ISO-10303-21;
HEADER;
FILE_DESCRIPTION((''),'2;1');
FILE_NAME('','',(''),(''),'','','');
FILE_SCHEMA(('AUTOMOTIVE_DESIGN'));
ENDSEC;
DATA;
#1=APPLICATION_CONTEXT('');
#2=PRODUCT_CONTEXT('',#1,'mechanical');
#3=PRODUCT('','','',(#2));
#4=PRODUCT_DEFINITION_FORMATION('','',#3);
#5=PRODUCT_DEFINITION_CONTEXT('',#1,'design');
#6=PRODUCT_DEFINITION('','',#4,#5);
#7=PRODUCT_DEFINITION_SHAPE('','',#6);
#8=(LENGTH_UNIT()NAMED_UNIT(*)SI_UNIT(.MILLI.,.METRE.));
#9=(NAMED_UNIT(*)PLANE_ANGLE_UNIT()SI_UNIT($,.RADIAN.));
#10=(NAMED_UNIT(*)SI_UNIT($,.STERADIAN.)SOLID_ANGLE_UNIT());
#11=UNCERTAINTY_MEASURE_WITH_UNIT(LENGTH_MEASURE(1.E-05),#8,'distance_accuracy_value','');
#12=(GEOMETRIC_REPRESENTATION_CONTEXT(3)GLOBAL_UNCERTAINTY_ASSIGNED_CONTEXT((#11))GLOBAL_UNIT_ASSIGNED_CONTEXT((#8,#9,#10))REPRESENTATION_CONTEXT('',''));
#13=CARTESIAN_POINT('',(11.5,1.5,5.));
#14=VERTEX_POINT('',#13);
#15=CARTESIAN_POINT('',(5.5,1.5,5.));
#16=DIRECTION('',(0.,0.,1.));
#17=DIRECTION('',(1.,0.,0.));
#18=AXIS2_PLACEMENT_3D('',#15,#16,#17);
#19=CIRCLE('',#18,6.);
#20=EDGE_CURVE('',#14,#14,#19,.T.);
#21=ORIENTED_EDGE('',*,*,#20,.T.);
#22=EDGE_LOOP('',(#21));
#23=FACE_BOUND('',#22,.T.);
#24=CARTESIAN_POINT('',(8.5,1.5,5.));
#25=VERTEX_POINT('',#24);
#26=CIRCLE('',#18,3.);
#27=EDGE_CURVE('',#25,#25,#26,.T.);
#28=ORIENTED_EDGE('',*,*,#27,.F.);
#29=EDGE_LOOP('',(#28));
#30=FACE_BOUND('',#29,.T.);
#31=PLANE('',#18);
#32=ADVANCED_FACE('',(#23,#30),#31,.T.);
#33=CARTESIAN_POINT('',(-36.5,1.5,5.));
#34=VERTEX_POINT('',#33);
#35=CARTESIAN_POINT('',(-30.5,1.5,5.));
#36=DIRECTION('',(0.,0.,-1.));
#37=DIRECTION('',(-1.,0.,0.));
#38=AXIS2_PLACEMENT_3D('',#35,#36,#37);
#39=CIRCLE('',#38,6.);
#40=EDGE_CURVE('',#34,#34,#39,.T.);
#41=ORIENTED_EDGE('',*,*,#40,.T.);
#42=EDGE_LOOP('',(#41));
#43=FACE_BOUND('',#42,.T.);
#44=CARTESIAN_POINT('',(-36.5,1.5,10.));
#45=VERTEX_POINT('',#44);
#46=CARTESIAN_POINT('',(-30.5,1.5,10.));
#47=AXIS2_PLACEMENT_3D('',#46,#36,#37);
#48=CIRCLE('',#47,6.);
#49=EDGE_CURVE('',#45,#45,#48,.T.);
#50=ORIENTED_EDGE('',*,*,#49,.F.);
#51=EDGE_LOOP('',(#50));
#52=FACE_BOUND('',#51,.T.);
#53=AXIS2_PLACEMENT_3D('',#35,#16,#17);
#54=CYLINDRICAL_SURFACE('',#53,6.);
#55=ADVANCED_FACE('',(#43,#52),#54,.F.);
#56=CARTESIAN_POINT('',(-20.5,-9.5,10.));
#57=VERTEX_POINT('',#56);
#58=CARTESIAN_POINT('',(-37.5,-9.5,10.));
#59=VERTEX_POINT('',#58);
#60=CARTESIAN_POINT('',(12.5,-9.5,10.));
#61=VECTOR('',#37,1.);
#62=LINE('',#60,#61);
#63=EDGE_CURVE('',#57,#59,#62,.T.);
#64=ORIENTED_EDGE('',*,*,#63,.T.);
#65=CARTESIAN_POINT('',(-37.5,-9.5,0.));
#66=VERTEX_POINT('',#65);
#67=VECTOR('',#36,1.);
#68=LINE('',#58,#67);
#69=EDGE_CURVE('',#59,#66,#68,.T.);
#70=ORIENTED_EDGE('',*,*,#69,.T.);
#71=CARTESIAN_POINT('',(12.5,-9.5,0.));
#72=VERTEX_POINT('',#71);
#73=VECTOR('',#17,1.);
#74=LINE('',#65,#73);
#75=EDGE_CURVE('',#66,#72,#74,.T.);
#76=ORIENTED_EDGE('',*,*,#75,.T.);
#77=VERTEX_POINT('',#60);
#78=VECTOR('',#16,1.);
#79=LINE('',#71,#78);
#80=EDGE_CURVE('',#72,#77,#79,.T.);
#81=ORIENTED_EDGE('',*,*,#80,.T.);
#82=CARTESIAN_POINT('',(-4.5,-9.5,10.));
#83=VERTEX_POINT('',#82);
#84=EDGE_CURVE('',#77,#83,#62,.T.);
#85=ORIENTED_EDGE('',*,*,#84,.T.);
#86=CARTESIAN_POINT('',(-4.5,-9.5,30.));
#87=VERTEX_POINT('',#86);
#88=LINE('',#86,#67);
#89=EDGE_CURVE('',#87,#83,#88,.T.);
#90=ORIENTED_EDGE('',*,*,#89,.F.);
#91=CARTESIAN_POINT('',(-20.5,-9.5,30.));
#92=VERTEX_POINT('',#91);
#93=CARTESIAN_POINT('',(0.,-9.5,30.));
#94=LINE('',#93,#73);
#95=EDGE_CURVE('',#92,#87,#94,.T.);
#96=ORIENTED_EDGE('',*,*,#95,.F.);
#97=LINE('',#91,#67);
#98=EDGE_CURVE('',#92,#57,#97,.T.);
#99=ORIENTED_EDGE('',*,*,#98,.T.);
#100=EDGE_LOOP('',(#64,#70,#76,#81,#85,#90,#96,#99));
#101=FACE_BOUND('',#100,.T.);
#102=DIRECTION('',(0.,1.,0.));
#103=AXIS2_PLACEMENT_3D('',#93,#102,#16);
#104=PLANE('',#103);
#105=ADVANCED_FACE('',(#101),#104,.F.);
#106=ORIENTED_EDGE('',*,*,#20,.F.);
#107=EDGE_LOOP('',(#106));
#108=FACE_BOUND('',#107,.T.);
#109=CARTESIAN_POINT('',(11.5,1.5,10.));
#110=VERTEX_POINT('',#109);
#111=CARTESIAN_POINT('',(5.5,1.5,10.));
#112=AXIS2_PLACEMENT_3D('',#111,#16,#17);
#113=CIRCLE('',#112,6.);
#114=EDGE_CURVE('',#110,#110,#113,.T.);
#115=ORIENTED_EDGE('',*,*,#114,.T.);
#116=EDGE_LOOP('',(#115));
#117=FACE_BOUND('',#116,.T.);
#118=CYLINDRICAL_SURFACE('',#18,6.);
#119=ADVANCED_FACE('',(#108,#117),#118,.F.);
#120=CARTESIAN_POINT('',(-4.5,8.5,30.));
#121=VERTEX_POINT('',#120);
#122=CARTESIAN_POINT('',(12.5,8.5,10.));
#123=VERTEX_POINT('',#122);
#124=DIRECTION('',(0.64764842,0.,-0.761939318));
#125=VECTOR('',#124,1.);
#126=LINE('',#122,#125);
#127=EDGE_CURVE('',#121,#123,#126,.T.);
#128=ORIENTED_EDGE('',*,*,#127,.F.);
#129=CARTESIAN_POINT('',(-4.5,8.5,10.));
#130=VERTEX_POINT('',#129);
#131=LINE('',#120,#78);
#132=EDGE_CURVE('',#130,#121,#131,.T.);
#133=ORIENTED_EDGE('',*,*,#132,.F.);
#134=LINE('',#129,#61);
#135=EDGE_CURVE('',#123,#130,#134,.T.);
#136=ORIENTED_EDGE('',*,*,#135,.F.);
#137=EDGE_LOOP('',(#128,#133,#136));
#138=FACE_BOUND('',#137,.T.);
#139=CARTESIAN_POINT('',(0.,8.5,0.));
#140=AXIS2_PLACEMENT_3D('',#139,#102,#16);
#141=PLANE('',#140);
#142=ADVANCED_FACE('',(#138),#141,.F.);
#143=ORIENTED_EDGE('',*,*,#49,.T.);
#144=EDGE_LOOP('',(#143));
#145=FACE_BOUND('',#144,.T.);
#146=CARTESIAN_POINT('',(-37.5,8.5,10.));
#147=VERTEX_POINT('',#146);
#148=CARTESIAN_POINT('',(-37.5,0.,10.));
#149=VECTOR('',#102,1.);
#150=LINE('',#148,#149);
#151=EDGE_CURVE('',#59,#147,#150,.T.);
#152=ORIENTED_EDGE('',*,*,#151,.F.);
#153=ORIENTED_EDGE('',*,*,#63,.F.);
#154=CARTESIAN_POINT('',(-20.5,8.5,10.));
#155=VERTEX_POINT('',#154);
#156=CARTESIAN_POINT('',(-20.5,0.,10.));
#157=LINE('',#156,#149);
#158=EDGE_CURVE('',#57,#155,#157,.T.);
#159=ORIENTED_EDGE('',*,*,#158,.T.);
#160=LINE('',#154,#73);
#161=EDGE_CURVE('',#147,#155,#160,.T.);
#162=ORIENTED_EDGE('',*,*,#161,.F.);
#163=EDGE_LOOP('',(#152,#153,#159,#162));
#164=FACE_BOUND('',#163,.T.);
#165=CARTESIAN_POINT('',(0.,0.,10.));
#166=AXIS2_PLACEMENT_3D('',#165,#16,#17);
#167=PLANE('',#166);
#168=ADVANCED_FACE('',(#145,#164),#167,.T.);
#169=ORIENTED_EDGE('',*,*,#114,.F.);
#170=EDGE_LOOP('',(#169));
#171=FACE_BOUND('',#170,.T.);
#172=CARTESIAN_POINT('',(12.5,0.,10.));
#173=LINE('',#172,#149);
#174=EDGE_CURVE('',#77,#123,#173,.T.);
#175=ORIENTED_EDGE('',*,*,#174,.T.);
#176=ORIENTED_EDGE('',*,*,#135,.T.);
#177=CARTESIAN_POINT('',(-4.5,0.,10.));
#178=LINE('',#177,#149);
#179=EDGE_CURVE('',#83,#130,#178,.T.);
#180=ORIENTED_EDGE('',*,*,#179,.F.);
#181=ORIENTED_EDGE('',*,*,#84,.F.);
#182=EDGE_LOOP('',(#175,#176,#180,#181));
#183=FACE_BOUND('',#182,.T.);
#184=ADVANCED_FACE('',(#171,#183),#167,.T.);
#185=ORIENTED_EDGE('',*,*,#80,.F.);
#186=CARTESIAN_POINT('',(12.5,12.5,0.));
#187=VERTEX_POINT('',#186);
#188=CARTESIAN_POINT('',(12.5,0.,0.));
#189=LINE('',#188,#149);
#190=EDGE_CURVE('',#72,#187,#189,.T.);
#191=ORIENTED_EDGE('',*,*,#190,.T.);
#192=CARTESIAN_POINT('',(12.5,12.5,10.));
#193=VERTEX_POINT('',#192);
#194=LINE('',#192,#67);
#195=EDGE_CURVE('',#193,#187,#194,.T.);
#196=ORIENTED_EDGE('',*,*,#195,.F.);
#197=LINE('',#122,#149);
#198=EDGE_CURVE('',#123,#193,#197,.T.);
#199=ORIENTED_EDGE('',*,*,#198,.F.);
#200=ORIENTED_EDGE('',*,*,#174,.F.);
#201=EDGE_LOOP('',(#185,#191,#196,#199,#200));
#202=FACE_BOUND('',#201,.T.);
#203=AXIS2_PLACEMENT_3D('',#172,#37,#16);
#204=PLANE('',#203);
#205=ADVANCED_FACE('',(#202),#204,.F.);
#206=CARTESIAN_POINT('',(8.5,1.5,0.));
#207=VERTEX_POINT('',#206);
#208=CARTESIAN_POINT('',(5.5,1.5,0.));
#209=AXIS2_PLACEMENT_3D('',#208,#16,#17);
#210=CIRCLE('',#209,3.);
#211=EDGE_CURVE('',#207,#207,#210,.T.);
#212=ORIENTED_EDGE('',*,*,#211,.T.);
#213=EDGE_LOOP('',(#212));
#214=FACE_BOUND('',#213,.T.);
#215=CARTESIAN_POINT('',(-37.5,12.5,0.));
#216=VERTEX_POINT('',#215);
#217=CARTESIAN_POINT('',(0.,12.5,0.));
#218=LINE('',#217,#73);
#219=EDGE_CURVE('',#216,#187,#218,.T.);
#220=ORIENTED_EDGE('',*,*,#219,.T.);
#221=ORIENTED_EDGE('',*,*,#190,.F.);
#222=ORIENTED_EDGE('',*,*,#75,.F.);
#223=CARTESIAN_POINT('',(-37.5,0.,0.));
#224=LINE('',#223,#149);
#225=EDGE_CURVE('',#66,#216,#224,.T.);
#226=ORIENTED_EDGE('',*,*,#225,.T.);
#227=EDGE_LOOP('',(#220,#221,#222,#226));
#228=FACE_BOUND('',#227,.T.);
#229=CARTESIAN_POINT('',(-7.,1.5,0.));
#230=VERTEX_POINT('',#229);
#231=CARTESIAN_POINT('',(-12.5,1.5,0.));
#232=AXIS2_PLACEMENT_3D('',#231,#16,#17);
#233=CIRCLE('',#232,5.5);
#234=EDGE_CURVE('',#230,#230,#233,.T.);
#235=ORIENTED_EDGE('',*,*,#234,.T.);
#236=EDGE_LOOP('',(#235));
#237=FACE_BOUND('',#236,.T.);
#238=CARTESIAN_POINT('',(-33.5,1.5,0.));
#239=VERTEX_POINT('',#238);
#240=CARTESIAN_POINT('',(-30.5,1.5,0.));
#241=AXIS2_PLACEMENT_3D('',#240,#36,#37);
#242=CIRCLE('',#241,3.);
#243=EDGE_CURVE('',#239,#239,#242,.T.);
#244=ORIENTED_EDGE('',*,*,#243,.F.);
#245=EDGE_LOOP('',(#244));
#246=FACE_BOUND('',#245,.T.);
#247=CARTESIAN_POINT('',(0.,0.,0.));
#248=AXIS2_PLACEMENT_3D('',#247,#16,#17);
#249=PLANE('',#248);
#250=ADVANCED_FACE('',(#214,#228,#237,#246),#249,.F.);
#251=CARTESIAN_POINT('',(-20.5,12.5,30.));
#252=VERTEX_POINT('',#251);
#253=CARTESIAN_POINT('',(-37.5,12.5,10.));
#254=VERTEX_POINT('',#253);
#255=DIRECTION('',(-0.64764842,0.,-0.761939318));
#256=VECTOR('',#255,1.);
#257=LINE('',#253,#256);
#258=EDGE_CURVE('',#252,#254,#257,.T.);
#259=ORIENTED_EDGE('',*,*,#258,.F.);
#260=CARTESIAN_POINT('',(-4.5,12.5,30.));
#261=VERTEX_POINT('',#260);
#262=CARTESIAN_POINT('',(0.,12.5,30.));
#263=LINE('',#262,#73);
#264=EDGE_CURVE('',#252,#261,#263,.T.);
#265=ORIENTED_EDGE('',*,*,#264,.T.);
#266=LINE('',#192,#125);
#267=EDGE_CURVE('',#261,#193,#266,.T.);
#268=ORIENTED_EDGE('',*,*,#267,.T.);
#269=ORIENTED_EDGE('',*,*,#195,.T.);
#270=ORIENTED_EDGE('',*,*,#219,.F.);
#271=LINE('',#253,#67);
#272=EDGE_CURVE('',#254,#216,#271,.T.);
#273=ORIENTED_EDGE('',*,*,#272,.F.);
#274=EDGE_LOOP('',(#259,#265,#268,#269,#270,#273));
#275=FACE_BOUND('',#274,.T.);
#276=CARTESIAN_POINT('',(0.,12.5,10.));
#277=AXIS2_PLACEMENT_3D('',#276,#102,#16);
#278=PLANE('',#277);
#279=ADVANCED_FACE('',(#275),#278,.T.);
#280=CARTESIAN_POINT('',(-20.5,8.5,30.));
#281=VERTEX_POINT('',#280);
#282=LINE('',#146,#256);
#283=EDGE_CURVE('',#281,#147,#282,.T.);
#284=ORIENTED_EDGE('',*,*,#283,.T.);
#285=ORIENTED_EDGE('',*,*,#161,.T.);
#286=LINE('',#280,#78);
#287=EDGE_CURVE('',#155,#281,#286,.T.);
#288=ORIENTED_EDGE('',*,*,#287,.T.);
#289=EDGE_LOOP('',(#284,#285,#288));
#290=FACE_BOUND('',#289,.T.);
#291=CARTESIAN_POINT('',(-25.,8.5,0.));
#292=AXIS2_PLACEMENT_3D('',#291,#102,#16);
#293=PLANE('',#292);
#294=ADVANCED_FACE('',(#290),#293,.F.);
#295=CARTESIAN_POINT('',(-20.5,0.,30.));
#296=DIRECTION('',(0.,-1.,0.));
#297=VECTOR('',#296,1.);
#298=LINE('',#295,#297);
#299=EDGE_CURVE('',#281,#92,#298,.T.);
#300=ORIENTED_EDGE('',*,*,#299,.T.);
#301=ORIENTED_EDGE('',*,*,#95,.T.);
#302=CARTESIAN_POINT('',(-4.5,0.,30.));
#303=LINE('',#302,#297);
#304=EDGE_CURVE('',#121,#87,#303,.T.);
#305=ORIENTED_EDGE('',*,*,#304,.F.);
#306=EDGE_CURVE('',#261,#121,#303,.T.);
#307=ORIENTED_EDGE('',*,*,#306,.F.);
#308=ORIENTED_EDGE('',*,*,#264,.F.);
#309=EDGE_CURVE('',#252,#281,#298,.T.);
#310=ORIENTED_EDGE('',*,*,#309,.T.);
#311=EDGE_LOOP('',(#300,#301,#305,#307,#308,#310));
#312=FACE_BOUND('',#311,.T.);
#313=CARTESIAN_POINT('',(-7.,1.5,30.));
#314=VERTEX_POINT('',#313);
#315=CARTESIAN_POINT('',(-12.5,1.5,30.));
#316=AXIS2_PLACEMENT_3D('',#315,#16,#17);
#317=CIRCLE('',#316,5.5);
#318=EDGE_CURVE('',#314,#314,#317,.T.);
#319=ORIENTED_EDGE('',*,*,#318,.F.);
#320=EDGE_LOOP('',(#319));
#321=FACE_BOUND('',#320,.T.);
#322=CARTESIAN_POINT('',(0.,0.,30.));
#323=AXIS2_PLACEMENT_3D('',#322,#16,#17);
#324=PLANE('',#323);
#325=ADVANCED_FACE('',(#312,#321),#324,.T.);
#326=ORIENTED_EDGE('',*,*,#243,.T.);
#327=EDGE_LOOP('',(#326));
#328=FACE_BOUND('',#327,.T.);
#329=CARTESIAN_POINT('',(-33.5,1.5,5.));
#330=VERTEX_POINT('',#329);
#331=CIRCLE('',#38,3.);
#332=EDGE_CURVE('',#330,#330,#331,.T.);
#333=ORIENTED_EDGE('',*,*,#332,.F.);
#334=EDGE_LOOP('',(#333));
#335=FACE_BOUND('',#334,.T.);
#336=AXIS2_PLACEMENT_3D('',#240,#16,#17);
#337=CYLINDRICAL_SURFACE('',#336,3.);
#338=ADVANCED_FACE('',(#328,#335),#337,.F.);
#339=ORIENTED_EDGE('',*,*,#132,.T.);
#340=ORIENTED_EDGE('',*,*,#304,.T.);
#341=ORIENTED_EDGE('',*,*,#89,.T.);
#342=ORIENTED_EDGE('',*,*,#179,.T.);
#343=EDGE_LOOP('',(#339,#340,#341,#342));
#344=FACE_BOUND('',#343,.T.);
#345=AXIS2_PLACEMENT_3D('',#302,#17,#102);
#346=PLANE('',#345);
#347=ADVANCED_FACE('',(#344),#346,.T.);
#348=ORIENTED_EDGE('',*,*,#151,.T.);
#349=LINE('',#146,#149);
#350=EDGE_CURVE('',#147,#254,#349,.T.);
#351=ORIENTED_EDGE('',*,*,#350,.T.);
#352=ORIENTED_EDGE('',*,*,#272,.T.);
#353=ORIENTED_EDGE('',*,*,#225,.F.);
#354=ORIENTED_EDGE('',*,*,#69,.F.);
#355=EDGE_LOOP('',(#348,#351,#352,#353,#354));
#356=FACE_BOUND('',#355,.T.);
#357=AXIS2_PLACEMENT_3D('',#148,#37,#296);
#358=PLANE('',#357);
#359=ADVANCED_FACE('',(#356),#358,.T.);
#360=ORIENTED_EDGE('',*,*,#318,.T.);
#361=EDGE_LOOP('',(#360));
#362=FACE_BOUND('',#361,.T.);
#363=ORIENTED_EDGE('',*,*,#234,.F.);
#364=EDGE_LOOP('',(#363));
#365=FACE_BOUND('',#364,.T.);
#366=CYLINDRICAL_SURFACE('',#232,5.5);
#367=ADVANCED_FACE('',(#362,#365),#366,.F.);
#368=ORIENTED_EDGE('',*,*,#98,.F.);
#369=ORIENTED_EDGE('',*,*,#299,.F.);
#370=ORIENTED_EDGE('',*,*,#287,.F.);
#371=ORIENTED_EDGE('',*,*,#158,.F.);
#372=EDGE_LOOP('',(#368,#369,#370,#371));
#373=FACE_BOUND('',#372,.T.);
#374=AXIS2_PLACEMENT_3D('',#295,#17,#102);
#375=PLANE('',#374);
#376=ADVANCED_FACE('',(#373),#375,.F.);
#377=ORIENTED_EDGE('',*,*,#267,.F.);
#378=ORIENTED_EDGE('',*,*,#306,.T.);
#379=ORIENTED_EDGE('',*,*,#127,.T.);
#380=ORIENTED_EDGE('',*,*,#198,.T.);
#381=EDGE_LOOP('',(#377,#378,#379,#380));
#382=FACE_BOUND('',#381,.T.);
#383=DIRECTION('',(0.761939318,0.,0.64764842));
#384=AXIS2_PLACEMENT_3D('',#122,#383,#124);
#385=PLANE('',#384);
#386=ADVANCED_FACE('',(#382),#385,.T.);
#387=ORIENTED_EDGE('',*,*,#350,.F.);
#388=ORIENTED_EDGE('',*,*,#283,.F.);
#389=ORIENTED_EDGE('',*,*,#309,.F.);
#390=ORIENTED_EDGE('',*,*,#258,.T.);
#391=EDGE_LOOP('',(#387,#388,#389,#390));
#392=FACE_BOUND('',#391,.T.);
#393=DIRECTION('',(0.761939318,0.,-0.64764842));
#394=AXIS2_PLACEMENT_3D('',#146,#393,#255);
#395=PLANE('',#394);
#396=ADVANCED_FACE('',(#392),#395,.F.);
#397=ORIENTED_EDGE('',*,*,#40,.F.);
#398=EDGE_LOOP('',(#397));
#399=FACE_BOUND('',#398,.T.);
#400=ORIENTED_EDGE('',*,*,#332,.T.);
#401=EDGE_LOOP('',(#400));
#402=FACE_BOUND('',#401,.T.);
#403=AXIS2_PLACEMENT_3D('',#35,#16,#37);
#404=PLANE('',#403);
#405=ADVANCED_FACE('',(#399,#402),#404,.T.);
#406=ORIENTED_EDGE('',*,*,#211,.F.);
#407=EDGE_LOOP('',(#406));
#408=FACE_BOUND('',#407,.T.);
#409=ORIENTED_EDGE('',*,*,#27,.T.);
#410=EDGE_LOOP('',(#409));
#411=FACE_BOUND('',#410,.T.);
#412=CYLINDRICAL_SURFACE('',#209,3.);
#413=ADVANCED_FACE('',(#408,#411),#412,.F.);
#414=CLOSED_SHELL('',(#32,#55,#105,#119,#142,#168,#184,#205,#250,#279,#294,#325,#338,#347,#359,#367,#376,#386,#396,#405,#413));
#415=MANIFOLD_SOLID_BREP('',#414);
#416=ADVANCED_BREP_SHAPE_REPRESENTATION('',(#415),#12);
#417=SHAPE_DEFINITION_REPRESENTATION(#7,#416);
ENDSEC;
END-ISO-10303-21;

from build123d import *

# Parameters (mm, degrees)
SKETCH_1_W          = 8
SKETCH_1_H          = 22
EXTRUDE_1_DEPTH     = 10
SKETCH_1_3_W        = 8
SKETCH_1_3_H        = 22
EXTRUDE_2_DEPTH     = 30
EXTRUDE_3_DEPTH     = 4
SKETCH_3_R          = 6
CUT_EXTRUDE_1_DEPTH = 5
SKETCH_4_R          = 3
CUT_EXTRUDE_2_DEPTH = 31.618621785
SKETCH_5_R          = 5.5
CUT_EXTRUDE_3_DEPTH = 50.623583103
SKETCH_6_W          = 50
SKETCH_6_H          = 10
CUT_EXTRUDE_4_DEPTH = 3


with BuildPart() as part:
    # Эскиз1 → Бобышка-Вытянуть1 (new body)
    with BuildSketch(Plane.XY):
        Polygon((-12.5, -9.5), (-12.5, -12.5), (12.5, -12.5), (12.5, 12.5), (-4.5, 12.5), (-4.5, -9.5), align=None)
        with Locations((-8.5, 1.5)):
            Rectangle(SKETCH_1_W, SKETCH_1_H)
    extrude_1 = extrude(amount=EXTRUDE_1_DEPTH)

    # Эскиз1<3> → Бобышка-Вытянуть2 (add)
    with BuildSketch(Plane.XY):
        with Locations((-8.5, 1.5)):
            Rectangle(SKETCH_1_3_W, SKETCH_1_3_H)
    extrude_2 = extrude(amount=EXTRUDE_2_DEPTH)

    # Эскиз2 → Бобышка-Вытянуть3 (add)
    with BuildSketch(Plane(origin=(0, 12.5, 0), x_dir=(1, 0, 0), z_dir=(0, 1, 0))):
        Polygon((12.5, -10), (-4.5, -30), (-4.5, -10), align=None)
    extrude_3 = extrude(amount=-EXTRUDE_3_DEPTH)

    # Эскиз3 → Вырез-Вытянуть1 (cut)
    with BuildSketch(Plane.XY.offset(10)):
        with Locations((5.5, 1.5)):
            Circle(SKETCH_3_R)
    cut_extrude_1 = extrude(amount=-CUT_EXTRUDE_1_DEPTH, mode=Mode.SUBTRACT)

    # Эскиз4 → Вырез-Вытянуть2 (cut, through all)
    with BuildSketch(Plane.XY.offset(5)):
        with Locations((5.5, 1.5)):
            Circle(SKETCH_4_R)
    cut_extrude_2 = extrude(amount=-CUT_EXTRUDE_2_DEPTH, mode=Mode.SUBTRACT)

    # Зеркальное отражение1: Бобышка-Вытянуть1, Бобышка-Вытянуть2, Бобышка-Вытянуть3, Вырез-Вытянуть1, Вырез-Вытянуть2 across plane
    add(extrude_1.mirror(Plane(origin=(-12.5, 0, 10), x_dir=(0, 0, 1), z_dir=(-1, 0, 0))))
    add(extrude_2.mirror(Plane(origin=(-12.5, 0, 10), x_dir=(0, 0, 1), z_dir=(-1, 0, 0))))
    add(extrude_3.mirror(Plane(origin=(-12.5, 0, 10), x_dir=(0, 0, 1), z_dir=(-1, 0, 0))))
    add(cut_extrude_1.mirror(Plane(origin=(-12.5, 0, 10), x_dir=(0, 0, 1), z_dir=(-1, 0, 0))), mode=Mode.SUBTRACT)
    add(cut_extrude_2.mirror(Plane(origin=(-12.5, 0, 10), x_dir=(0, 0, 1), z_dir=(-1, 0, 0))), mode=Mode.SUBTRACT)

    # Эскиз5 → Вырез-Вытянуть3 (cut, through all)
    with BuildSketch(Plane.XY.offset(30)):
        with Locations((-12.5, 1.5)):
            Circle(SKETCH_5_R)
    extrude(amount=-CUT_EXTRUDE_3_DEPTH, mode=Mode.SUBTRACT)

    # Эскиз6 → Вырез-Вытянуть4 (cut)
    with BuildSketch(Plane.XZ.offset(12.5)):
        with Locations((-12.5, 5)):
            Rectangle(SKETCH_6_W, SKETCH_6_H)
    extrude(amount=-CUT_EXTRUDE_4_DEPTH, mode=Mode.SUBTRACT)


solid = part.part
